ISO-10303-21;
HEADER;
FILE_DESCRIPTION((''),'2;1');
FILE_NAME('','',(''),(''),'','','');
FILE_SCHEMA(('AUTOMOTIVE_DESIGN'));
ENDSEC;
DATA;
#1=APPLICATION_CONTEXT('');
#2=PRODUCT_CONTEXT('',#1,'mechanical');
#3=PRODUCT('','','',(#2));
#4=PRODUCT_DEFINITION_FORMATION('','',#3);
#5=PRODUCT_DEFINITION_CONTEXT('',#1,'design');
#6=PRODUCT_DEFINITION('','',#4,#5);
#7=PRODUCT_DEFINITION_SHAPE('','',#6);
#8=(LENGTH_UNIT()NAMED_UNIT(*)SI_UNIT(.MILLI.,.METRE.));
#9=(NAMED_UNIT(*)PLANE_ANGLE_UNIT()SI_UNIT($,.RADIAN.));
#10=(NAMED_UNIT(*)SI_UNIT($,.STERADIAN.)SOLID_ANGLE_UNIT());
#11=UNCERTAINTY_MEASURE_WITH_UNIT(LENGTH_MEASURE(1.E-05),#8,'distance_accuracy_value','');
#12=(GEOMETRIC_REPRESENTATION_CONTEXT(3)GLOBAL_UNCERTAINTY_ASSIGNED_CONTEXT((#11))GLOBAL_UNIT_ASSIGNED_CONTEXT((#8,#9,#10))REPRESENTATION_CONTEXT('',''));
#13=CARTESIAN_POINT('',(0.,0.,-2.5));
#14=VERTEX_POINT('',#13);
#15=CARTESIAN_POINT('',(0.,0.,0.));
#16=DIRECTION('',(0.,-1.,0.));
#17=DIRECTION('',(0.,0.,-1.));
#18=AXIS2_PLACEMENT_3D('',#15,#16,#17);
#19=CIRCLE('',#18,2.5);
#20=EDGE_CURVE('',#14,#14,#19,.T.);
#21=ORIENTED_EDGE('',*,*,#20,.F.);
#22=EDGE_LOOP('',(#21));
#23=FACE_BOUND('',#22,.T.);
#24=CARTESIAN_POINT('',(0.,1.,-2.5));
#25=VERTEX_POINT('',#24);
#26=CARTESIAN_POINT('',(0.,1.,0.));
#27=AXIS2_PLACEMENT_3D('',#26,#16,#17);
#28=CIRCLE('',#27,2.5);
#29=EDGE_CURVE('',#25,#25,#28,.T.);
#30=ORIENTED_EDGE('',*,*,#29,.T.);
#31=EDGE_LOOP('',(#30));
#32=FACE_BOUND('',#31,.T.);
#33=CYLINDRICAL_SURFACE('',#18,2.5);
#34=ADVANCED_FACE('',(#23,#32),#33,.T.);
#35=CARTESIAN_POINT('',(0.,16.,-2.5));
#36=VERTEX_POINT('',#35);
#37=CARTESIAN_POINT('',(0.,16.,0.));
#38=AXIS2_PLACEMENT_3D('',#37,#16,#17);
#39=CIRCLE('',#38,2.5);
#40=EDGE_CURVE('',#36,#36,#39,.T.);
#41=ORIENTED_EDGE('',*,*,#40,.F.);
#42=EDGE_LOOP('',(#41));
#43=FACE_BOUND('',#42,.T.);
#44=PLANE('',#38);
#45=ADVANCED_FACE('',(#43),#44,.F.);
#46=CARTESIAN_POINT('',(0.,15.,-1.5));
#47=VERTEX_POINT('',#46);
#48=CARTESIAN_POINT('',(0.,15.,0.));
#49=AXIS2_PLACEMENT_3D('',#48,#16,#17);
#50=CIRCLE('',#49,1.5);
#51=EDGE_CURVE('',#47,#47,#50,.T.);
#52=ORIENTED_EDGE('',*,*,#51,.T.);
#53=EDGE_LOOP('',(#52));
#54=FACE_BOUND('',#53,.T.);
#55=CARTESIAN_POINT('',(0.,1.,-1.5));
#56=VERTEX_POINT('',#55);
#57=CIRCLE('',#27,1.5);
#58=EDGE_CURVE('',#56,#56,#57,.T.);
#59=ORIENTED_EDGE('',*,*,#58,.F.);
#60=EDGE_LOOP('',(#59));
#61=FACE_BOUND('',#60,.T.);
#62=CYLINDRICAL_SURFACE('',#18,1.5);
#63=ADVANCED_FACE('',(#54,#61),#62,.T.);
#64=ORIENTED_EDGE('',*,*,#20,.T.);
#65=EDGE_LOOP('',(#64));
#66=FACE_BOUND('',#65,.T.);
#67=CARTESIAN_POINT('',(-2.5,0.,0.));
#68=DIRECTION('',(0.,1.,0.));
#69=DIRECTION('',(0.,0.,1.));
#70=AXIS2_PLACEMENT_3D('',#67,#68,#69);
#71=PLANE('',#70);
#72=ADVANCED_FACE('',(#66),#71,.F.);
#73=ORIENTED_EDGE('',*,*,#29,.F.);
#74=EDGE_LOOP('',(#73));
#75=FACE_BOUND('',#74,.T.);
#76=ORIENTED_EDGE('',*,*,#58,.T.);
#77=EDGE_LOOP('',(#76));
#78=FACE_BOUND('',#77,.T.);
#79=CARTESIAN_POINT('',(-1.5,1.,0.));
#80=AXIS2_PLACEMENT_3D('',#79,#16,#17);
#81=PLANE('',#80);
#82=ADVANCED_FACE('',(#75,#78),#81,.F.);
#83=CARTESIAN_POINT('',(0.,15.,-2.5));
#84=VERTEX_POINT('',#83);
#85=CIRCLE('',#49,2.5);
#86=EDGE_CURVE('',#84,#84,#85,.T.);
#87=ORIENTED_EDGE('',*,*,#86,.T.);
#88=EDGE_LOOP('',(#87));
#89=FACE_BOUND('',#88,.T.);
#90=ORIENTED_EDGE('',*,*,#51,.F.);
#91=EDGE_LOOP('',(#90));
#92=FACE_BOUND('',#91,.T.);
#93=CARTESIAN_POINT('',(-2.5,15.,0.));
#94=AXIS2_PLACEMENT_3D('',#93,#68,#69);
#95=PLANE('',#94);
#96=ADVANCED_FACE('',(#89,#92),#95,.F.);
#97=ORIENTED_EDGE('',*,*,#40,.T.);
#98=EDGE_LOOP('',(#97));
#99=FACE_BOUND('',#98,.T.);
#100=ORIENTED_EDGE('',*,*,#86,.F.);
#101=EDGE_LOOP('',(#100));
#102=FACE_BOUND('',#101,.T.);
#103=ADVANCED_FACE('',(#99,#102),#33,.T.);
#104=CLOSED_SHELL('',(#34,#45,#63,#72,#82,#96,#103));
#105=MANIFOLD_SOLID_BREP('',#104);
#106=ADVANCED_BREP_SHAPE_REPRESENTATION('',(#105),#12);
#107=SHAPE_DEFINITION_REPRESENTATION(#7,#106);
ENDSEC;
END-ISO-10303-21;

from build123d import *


with BuildPart() as part:
    # Sketch1 → Revolve1 (revolve)
    with BuildSketch(Plane.XY):
        Polygon((0, 0), (0, 16), (-2.5, 16), (-2.5, 15), (-1.5, 15), (-1.5, 1), (-2.5, 1), (-2.5, 0), align=None)
    revolve(axis=Axis((0, 0, 0), (0, 1, 0)))


solid = part.part
